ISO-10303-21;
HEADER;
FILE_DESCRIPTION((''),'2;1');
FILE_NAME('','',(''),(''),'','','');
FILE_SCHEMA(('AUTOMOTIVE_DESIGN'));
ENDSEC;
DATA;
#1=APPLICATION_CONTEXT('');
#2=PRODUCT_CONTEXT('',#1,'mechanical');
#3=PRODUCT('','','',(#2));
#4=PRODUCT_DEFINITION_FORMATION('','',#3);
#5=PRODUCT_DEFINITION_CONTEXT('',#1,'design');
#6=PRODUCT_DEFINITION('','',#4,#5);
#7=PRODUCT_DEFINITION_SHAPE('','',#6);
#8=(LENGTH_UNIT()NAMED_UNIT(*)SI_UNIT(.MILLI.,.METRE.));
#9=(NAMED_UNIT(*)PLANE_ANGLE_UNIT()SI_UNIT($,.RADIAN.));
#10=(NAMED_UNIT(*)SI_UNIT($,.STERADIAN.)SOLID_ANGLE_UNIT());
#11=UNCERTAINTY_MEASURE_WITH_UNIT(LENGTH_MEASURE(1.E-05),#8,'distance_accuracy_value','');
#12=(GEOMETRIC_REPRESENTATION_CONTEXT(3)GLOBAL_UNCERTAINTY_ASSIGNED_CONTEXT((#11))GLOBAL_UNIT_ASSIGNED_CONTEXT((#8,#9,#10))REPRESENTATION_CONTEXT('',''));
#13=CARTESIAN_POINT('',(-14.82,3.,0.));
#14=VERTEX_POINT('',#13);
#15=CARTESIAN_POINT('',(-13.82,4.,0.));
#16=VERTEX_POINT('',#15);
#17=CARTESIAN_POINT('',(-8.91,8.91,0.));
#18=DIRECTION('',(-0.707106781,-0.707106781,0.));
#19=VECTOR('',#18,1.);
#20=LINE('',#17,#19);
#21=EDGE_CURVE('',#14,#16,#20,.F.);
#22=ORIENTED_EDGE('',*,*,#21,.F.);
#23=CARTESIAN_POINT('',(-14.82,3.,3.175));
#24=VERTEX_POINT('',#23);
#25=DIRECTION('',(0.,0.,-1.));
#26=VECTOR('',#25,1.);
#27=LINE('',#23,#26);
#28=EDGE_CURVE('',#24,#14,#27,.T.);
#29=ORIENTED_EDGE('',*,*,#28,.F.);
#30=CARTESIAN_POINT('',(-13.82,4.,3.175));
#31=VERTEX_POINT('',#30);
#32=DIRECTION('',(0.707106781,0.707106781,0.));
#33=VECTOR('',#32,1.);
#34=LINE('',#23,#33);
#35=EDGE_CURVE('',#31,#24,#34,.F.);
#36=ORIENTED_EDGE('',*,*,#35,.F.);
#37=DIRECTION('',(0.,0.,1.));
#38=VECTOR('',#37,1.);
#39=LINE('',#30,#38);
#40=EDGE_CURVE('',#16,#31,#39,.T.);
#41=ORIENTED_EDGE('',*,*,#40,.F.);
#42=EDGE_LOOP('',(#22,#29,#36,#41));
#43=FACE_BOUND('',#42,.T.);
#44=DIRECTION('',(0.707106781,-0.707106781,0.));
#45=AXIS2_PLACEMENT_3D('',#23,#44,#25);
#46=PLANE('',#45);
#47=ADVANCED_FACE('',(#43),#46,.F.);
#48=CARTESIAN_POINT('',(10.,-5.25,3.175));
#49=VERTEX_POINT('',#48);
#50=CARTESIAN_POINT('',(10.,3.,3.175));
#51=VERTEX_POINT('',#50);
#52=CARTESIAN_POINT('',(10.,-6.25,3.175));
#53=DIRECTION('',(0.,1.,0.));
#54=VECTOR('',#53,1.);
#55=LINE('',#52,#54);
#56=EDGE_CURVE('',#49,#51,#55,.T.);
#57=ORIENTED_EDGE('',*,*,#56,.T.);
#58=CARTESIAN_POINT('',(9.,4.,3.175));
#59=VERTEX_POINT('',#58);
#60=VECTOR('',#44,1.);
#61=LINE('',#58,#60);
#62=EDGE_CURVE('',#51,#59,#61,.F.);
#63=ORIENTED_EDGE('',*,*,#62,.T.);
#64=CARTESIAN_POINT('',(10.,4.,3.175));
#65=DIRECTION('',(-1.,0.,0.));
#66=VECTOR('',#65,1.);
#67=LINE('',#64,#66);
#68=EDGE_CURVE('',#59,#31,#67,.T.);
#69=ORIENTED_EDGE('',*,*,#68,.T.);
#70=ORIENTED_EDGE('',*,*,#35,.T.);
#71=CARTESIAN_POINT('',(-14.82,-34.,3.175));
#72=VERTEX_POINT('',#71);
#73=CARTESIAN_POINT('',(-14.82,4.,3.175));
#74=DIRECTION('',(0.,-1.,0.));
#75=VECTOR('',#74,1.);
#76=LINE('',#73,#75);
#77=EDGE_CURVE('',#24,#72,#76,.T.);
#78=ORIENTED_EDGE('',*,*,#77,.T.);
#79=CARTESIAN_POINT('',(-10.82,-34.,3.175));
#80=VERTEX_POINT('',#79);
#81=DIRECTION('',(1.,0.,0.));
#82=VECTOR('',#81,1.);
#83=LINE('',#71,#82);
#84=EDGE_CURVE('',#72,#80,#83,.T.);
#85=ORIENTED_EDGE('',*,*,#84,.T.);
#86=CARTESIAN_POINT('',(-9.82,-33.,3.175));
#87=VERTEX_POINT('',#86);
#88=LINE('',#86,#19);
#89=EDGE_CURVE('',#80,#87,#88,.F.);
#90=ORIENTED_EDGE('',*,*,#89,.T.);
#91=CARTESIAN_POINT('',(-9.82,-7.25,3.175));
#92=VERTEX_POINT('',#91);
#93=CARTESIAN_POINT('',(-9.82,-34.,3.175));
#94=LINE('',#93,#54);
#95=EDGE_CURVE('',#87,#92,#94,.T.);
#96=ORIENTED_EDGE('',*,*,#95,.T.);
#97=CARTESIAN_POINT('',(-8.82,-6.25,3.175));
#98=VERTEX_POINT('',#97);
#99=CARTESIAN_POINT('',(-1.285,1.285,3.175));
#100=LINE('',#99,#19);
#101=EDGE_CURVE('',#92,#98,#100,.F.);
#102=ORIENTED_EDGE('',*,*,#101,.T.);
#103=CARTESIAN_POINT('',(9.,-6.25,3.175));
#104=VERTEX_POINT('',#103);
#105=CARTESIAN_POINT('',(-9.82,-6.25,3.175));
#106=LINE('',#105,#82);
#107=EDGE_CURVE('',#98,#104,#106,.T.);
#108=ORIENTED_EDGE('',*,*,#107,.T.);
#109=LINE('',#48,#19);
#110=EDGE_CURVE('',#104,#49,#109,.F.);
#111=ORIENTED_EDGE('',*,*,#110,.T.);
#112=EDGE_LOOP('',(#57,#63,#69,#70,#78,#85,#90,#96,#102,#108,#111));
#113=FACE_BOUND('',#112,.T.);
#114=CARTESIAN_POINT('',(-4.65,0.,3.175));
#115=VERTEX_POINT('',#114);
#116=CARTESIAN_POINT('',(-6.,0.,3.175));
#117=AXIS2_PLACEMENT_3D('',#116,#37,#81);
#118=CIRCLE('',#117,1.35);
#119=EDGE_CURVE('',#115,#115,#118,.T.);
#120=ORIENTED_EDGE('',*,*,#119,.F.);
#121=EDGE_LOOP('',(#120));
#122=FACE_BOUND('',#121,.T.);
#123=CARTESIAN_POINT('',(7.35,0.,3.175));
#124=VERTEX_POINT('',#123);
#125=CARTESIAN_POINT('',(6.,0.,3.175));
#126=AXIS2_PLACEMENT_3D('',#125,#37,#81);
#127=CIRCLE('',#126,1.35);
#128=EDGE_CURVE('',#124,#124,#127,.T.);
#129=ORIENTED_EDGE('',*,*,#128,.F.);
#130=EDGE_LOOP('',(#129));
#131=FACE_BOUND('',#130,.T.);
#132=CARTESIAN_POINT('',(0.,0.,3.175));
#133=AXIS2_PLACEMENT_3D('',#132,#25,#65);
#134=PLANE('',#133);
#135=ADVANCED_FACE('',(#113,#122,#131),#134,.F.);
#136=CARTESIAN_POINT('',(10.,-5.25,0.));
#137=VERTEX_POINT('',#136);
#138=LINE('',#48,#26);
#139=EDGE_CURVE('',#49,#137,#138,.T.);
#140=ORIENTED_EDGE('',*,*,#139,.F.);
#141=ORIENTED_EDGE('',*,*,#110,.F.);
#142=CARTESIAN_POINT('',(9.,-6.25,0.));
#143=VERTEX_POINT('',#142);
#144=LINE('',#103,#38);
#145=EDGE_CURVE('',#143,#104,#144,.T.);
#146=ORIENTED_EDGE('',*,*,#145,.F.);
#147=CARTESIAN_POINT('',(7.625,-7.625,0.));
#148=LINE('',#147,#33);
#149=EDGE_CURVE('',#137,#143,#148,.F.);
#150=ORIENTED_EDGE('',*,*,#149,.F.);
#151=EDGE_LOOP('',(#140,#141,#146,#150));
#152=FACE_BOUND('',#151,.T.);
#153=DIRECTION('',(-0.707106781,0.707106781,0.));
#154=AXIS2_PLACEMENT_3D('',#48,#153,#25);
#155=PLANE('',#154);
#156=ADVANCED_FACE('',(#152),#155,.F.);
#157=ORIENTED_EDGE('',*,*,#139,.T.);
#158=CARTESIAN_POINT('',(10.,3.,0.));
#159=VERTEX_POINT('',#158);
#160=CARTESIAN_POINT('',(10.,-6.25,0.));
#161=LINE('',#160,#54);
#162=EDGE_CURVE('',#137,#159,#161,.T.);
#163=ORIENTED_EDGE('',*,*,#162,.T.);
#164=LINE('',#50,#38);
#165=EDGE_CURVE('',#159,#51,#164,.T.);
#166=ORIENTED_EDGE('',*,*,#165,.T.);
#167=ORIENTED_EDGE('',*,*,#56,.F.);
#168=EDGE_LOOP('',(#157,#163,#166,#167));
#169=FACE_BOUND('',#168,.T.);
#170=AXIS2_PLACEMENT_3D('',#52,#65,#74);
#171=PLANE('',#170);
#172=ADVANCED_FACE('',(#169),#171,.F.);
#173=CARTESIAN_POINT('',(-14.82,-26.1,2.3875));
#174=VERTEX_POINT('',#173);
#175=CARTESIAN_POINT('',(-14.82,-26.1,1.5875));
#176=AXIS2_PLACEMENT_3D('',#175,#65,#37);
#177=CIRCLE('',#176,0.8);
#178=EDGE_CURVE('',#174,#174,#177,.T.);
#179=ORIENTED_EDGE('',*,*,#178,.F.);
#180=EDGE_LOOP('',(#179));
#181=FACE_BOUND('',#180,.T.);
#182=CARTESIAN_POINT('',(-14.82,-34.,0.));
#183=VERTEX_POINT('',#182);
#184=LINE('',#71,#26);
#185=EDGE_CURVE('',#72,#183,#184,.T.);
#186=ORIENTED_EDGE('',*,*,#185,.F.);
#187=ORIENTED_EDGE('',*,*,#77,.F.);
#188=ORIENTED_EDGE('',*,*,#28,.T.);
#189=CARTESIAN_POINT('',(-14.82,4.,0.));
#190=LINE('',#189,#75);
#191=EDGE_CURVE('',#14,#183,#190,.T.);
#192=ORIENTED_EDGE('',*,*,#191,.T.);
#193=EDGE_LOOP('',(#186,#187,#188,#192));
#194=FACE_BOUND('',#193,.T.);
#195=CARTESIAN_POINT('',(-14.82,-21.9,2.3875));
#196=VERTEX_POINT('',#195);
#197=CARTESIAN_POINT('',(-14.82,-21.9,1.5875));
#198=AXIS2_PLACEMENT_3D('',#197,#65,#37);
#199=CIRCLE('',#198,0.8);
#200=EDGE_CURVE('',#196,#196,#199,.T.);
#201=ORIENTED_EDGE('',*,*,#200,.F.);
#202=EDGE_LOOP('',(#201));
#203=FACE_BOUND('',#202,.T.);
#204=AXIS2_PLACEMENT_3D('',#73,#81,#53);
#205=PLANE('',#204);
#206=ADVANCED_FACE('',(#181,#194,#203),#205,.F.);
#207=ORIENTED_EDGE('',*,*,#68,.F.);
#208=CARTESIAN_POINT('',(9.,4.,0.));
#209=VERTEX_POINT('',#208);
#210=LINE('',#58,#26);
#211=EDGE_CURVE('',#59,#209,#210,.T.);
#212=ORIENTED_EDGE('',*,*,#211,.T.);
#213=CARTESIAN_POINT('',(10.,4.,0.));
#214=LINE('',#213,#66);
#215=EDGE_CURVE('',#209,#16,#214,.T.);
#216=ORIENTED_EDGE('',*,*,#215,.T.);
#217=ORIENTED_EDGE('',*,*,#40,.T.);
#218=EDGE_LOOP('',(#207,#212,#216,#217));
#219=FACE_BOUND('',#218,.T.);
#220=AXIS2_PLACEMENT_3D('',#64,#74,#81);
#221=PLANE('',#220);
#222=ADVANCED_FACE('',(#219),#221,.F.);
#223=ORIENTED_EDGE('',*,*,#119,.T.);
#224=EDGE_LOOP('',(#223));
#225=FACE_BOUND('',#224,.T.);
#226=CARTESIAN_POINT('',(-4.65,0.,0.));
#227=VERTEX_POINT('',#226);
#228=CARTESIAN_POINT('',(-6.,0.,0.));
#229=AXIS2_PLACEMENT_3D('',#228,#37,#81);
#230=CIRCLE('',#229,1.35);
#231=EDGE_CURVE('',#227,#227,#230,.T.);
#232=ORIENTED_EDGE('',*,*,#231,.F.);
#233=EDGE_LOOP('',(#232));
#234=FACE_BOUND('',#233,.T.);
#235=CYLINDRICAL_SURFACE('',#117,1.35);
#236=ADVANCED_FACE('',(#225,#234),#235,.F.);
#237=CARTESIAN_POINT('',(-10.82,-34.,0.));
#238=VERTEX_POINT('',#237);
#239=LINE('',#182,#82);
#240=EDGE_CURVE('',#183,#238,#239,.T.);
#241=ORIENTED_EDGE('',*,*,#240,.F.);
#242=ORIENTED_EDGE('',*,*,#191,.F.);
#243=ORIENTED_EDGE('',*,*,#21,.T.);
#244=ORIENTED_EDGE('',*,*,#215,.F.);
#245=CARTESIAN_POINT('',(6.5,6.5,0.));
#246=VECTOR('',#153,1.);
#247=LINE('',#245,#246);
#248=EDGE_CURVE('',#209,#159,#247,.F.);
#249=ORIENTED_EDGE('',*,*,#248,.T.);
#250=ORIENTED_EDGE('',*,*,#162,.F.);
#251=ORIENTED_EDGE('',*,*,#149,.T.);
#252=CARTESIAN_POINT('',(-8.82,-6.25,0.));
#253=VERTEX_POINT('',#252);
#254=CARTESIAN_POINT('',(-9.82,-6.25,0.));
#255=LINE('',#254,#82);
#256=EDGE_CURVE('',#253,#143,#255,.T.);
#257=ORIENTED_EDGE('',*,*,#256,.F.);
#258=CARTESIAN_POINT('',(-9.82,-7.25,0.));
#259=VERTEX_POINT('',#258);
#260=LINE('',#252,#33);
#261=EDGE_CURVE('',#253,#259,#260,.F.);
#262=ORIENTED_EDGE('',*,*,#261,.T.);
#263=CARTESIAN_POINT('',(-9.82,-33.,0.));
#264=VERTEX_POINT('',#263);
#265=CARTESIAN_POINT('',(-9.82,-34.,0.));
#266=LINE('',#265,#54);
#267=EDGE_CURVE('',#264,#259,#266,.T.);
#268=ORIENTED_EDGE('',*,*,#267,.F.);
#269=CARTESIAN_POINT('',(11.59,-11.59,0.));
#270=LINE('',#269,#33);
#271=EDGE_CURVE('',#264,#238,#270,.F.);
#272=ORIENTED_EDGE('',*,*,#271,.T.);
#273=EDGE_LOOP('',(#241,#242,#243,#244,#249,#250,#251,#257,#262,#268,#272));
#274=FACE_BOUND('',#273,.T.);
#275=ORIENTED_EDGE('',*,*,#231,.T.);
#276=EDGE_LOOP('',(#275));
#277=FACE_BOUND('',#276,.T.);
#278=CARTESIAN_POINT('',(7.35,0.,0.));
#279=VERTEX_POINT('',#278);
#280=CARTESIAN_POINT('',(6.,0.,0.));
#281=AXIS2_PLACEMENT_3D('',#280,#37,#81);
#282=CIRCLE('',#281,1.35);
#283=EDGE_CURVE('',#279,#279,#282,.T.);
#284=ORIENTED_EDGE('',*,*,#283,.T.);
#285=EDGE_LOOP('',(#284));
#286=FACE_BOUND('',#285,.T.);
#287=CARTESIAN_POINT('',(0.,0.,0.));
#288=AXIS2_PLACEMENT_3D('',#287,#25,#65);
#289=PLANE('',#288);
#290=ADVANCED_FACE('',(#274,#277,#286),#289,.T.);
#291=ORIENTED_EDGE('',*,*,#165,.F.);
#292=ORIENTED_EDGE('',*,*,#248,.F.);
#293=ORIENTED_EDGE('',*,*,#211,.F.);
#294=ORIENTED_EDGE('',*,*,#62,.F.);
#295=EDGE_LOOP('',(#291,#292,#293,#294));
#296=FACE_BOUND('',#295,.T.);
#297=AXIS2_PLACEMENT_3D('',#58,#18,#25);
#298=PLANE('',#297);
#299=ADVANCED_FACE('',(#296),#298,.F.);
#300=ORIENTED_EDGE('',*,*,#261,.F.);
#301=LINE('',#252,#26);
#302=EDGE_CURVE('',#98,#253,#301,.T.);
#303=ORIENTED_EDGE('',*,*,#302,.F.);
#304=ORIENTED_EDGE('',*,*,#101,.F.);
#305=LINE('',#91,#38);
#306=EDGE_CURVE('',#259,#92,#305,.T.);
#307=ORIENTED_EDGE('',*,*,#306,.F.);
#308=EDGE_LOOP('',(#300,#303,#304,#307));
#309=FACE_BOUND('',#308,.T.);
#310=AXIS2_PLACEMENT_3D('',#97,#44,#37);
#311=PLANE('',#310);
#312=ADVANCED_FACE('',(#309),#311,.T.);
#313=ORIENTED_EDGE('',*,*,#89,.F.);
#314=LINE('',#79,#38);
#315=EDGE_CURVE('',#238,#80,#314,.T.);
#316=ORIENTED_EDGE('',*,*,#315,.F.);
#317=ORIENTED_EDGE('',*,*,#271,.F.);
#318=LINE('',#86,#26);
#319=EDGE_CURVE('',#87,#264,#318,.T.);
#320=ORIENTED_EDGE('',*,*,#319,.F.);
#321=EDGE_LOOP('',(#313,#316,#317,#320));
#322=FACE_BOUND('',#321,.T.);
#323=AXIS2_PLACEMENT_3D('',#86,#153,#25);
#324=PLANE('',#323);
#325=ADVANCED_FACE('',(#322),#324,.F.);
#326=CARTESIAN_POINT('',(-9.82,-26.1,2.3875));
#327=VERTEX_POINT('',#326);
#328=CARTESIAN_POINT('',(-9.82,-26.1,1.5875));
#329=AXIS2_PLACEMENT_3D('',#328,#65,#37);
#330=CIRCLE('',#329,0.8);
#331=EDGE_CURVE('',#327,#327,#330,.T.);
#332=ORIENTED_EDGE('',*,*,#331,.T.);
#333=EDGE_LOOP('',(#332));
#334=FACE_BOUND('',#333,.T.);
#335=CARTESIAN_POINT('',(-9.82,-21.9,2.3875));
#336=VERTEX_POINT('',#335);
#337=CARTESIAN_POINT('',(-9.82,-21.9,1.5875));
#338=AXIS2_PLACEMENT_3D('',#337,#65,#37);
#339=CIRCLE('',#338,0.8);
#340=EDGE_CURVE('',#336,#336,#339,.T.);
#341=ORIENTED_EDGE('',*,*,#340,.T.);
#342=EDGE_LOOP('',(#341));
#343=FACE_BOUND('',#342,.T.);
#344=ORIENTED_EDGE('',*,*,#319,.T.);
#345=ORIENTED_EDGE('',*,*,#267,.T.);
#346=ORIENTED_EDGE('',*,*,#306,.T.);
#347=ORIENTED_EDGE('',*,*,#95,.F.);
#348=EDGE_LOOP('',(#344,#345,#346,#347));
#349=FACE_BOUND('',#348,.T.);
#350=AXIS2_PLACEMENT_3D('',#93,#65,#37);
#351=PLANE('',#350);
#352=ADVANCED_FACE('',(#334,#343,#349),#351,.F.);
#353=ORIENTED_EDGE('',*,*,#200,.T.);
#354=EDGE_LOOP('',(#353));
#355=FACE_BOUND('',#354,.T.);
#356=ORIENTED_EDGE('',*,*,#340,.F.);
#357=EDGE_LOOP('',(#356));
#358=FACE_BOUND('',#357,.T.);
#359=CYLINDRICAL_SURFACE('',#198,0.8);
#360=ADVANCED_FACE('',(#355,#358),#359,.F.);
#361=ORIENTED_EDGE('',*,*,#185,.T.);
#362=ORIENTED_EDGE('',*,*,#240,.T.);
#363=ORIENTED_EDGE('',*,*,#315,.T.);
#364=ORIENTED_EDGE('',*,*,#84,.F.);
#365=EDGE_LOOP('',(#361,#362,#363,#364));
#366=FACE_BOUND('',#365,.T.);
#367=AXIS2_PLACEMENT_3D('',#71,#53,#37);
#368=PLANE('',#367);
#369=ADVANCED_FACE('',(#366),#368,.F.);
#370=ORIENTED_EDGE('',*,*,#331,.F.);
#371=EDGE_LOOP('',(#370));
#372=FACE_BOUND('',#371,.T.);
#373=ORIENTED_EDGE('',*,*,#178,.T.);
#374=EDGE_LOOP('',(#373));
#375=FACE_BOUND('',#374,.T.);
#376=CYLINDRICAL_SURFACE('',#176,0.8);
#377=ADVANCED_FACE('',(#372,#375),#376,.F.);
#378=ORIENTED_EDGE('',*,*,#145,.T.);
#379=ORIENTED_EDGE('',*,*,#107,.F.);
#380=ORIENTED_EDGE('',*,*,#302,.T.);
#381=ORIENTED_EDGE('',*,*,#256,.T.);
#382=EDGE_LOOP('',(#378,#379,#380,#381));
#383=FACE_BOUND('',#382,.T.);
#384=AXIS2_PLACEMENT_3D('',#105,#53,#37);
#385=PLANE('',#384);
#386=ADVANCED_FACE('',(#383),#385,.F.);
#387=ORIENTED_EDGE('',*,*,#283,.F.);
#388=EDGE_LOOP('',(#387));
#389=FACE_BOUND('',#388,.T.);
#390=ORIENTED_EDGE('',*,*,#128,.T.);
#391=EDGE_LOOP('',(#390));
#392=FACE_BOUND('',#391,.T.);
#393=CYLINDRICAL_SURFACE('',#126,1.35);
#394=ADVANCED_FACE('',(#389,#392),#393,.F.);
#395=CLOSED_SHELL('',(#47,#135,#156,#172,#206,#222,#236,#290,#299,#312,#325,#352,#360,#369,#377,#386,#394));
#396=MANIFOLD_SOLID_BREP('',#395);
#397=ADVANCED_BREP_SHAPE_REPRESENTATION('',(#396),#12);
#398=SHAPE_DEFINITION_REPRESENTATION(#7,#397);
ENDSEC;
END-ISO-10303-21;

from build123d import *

# Parameters (mm, degrees)
BOSS_EXTRUDE1_DEPTH         = 3.175
M2_5_CLEARANCE_HOLE1_D      = 2.7
CHAMFER1_SIZE               = 1
TAP_DRILL_FOR_M2X0_4_TAP1_D = 1.6


with BuildPart() as part:
    # Sketch2 → Boss-Extrude1 (new body)
    with BuildSketch(Plane.XY):
        Polygon((-9.82, -6.25), (10, -6.25), (10, 4), (-14.82, 4), (-14.82, -34), (-9.82, -34), align=None)
    extrude(amount=BOSS_EXTRUDE1_DEPTH)

    # M2.5 Clearance Hole1 (through all)
    with Locations(Plane.XY.offset(3.175)):
        with Locations((-6, 0), (6, 0)):
            Hole(M2_5_CLEARANCE_HOLE1_D / 2)

    # Chamfer1
    chamfer1_edges = [part.edges().sort_by_distance(p)[0] for p in [
        (-9.82, -34, 1.5875),
        (-14.82, 4, 1.5875),
        (10, 4, 1.5875),
        (10, -6.25, 1.5875),
        (-9.82, -6.25, 1.5875),
    ]]
    chamfer(chamfer1_edges, length=CHAMFER1_SIZE)

    # Tap Drill for M2x0.4 Tap1 (through all)
    with Locations(Plane.ZY.offset(14.82)):
        with Locations((1.5875, -21.9), (1.5875, -26.1)):
            Hole(TAP_DRILL_FOR_M2X0_4_TAP1_D / 2)


solid = part.part
